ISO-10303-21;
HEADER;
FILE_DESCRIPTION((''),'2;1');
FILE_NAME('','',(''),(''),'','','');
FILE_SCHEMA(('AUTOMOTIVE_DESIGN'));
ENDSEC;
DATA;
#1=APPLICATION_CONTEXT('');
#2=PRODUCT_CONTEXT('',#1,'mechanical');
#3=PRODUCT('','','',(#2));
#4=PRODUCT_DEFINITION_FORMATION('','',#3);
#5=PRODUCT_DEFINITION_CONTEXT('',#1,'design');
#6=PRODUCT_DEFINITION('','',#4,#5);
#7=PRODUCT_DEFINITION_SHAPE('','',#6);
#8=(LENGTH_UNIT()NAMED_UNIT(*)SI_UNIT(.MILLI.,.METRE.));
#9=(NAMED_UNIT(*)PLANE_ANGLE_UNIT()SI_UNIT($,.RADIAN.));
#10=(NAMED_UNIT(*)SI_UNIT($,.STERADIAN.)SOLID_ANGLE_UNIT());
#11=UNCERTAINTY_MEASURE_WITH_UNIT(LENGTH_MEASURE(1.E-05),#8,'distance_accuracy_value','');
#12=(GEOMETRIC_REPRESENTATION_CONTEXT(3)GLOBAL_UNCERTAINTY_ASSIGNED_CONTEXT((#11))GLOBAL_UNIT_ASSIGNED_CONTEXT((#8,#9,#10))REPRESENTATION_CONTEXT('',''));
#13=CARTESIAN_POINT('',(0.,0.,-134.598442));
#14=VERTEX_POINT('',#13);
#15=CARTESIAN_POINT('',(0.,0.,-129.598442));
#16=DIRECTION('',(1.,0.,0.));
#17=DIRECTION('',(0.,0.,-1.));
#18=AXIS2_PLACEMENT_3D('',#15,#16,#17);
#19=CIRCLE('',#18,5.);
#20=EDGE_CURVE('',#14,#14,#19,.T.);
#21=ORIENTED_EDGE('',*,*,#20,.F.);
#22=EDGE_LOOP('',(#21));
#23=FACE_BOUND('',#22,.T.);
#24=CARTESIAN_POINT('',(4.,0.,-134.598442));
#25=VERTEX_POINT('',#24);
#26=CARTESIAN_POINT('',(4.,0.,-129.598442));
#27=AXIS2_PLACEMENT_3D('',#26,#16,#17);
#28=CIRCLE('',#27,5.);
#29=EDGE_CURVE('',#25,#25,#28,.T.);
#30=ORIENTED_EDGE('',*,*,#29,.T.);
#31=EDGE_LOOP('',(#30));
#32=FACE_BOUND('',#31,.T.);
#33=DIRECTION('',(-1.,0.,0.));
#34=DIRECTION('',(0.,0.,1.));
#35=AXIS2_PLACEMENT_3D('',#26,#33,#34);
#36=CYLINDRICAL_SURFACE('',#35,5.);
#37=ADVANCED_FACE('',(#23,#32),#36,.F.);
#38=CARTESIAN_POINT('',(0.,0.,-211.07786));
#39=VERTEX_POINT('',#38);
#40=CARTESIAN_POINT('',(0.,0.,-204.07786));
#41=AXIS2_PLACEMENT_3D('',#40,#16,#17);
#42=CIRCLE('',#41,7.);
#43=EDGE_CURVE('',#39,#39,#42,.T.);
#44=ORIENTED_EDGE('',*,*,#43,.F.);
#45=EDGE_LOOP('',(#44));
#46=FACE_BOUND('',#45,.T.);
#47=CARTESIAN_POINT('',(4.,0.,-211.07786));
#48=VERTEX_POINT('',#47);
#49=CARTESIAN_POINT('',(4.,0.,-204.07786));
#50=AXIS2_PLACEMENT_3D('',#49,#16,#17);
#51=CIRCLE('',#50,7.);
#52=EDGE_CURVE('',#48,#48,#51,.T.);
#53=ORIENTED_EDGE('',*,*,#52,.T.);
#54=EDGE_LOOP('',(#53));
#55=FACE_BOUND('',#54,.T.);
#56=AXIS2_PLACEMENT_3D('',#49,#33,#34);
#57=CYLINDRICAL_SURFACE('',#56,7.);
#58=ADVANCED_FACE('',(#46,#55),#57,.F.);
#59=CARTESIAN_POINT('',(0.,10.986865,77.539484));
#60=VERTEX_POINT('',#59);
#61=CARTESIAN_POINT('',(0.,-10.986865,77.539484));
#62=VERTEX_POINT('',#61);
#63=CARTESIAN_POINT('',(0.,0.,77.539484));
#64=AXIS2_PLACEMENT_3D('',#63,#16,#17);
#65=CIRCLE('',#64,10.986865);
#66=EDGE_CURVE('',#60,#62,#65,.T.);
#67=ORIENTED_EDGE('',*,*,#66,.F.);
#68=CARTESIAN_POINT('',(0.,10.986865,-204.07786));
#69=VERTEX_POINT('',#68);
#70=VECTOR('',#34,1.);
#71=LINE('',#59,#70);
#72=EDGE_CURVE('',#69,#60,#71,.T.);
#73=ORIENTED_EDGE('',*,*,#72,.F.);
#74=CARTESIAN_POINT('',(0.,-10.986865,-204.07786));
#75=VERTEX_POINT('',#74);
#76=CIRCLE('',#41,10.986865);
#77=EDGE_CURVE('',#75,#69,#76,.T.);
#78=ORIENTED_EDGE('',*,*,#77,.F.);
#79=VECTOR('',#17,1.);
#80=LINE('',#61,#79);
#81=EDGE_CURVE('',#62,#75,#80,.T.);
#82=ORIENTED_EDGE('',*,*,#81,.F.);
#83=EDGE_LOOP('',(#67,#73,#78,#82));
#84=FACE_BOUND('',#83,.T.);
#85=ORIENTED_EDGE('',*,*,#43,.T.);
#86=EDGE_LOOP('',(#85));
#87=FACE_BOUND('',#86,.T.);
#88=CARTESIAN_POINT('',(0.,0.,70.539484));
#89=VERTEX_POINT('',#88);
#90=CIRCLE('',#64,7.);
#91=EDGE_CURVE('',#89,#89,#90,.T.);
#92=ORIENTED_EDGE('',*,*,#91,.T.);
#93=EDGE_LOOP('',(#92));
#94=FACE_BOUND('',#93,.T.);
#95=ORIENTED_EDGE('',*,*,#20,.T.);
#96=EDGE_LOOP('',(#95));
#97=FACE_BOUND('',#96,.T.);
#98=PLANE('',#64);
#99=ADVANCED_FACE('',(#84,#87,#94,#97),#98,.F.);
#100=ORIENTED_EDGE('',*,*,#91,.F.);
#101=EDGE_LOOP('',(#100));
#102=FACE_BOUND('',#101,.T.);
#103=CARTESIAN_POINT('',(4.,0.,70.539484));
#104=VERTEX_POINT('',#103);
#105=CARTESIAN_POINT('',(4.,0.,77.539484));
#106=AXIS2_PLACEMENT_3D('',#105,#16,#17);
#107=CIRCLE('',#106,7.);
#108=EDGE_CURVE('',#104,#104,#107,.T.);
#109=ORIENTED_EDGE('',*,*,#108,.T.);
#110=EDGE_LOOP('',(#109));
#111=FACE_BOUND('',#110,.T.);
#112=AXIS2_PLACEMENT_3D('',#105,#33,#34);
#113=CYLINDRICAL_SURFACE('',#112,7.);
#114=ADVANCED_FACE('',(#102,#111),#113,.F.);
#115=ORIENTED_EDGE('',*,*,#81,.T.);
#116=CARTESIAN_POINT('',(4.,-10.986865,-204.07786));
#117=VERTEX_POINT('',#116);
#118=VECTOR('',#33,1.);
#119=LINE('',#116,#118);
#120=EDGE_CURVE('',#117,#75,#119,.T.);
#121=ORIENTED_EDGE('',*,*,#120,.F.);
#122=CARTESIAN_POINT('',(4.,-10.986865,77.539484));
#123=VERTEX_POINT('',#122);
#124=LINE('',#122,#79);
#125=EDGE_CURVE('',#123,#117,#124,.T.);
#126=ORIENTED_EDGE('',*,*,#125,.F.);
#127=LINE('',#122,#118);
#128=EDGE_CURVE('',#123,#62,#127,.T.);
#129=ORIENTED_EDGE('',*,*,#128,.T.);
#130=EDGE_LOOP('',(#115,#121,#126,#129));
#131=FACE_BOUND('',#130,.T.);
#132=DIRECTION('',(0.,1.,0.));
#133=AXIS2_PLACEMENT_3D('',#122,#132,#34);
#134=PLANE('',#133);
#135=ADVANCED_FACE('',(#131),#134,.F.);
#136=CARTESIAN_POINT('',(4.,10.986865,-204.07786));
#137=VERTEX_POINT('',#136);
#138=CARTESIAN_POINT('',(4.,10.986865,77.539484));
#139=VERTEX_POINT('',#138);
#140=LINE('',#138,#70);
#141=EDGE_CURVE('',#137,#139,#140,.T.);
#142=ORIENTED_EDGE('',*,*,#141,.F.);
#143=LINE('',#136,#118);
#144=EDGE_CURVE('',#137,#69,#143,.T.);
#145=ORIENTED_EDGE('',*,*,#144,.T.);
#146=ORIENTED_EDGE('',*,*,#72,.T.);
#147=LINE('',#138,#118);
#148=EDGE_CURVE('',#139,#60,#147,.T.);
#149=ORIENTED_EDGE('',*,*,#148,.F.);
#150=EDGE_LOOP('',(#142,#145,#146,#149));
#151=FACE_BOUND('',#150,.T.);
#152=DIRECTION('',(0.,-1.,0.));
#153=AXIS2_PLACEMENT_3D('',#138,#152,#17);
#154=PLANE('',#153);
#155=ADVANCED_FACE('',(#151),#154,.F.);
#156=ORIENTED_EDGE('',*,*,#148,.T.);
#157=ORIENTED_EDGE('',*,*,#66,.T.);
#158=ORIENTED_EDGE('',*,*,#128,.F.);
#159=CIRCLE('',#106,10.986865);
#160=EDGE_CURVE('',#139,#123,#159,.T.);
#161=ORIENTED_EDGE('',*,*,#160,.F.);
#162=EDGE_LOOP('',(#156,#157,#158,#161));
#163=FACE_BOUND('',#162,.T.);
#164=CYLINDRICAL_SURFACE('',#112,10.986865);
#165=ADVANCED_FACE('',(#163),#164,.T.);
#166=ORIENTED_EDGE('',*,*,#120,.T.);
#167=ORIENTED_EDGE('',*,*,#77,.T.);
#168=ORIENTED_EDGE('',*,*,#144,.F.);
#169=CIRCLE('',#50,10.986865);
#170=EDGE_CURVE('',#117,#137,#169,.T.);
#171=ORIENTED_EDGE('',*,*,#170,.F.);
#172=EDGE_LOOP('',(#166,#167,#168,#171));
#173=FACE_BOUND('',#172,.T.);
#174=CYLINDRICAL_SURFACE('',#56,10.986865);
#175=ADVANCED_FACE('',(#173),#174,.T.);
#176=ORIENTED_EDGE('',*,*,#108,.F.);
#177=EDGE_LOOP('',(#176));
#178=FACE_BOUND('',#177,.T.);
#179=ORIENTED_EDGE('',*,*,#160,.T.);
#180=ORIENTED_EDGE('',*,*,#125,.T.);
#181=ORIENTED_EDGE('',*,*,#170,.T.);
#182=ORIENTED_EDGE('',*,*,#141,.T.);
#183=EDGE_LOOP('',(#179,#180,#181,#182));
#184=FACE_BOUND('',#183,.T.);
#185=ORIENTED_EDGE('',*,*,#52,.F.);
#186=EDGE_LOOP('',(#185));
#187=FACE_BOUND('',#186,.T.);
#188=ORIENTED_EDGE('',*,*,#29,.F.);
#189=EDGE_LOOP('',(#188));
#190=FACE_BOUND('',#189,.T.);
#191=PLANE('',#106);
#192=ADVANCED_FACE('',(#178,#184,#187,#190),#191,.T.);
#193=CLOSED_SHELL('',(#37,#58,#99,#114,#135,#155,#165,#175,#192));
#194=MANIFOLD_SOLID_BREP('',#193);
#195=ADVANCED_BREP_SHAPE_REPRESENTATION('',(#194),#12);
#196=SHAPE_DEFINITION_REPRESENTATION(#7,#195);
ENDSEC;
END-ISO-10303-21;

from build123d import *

# Parameters (mm, degrees)
SKETCH2_R           = 7
SKETCH2_R_2         = 5
BOSS_EXTRUDE1_DEPTH = 4


with BuildPart() as part:
    # Sketch2 → Boss-Extrude1 (new body)
    with BuildSketch(Plane(origin=(0, 0, 0), x_dir=(0, 0, -1), z_dir=(1, 0, 0))):
        with BuildLine():
            Line((-77.539483891, 10.986864981), (204.077859883, 10.986864981))
            ThreePointArc((204.077859883, 10.986864981), (215.064724865, 0), (204.077859883, -10.986864981))
            Line((204.077859883, -10.986864981), (-77.539483891, -10.986864981))
            ThreePointArc((-77.539483891, -10.986864981), (-88.526348873, 0), (-77.539483891, 10.986864981))
        make_face()
        with Locations((-77.539483891, 0)):
            Circle(SKETCH2_R, mode=Mode.SUBTRACT)
        with Locations((204.077859883, 0)):
            Circle(SKETCH2_R, mode=Mode.SUBTRACT)
        with Locations((129.598441876, 0)):
            Circle(SKETCH2_R_2, mode=Mode.SUBTRACT)
    extrude(amount=BOSS_EXTRUDE1_DEPTH)


solid = part.part
